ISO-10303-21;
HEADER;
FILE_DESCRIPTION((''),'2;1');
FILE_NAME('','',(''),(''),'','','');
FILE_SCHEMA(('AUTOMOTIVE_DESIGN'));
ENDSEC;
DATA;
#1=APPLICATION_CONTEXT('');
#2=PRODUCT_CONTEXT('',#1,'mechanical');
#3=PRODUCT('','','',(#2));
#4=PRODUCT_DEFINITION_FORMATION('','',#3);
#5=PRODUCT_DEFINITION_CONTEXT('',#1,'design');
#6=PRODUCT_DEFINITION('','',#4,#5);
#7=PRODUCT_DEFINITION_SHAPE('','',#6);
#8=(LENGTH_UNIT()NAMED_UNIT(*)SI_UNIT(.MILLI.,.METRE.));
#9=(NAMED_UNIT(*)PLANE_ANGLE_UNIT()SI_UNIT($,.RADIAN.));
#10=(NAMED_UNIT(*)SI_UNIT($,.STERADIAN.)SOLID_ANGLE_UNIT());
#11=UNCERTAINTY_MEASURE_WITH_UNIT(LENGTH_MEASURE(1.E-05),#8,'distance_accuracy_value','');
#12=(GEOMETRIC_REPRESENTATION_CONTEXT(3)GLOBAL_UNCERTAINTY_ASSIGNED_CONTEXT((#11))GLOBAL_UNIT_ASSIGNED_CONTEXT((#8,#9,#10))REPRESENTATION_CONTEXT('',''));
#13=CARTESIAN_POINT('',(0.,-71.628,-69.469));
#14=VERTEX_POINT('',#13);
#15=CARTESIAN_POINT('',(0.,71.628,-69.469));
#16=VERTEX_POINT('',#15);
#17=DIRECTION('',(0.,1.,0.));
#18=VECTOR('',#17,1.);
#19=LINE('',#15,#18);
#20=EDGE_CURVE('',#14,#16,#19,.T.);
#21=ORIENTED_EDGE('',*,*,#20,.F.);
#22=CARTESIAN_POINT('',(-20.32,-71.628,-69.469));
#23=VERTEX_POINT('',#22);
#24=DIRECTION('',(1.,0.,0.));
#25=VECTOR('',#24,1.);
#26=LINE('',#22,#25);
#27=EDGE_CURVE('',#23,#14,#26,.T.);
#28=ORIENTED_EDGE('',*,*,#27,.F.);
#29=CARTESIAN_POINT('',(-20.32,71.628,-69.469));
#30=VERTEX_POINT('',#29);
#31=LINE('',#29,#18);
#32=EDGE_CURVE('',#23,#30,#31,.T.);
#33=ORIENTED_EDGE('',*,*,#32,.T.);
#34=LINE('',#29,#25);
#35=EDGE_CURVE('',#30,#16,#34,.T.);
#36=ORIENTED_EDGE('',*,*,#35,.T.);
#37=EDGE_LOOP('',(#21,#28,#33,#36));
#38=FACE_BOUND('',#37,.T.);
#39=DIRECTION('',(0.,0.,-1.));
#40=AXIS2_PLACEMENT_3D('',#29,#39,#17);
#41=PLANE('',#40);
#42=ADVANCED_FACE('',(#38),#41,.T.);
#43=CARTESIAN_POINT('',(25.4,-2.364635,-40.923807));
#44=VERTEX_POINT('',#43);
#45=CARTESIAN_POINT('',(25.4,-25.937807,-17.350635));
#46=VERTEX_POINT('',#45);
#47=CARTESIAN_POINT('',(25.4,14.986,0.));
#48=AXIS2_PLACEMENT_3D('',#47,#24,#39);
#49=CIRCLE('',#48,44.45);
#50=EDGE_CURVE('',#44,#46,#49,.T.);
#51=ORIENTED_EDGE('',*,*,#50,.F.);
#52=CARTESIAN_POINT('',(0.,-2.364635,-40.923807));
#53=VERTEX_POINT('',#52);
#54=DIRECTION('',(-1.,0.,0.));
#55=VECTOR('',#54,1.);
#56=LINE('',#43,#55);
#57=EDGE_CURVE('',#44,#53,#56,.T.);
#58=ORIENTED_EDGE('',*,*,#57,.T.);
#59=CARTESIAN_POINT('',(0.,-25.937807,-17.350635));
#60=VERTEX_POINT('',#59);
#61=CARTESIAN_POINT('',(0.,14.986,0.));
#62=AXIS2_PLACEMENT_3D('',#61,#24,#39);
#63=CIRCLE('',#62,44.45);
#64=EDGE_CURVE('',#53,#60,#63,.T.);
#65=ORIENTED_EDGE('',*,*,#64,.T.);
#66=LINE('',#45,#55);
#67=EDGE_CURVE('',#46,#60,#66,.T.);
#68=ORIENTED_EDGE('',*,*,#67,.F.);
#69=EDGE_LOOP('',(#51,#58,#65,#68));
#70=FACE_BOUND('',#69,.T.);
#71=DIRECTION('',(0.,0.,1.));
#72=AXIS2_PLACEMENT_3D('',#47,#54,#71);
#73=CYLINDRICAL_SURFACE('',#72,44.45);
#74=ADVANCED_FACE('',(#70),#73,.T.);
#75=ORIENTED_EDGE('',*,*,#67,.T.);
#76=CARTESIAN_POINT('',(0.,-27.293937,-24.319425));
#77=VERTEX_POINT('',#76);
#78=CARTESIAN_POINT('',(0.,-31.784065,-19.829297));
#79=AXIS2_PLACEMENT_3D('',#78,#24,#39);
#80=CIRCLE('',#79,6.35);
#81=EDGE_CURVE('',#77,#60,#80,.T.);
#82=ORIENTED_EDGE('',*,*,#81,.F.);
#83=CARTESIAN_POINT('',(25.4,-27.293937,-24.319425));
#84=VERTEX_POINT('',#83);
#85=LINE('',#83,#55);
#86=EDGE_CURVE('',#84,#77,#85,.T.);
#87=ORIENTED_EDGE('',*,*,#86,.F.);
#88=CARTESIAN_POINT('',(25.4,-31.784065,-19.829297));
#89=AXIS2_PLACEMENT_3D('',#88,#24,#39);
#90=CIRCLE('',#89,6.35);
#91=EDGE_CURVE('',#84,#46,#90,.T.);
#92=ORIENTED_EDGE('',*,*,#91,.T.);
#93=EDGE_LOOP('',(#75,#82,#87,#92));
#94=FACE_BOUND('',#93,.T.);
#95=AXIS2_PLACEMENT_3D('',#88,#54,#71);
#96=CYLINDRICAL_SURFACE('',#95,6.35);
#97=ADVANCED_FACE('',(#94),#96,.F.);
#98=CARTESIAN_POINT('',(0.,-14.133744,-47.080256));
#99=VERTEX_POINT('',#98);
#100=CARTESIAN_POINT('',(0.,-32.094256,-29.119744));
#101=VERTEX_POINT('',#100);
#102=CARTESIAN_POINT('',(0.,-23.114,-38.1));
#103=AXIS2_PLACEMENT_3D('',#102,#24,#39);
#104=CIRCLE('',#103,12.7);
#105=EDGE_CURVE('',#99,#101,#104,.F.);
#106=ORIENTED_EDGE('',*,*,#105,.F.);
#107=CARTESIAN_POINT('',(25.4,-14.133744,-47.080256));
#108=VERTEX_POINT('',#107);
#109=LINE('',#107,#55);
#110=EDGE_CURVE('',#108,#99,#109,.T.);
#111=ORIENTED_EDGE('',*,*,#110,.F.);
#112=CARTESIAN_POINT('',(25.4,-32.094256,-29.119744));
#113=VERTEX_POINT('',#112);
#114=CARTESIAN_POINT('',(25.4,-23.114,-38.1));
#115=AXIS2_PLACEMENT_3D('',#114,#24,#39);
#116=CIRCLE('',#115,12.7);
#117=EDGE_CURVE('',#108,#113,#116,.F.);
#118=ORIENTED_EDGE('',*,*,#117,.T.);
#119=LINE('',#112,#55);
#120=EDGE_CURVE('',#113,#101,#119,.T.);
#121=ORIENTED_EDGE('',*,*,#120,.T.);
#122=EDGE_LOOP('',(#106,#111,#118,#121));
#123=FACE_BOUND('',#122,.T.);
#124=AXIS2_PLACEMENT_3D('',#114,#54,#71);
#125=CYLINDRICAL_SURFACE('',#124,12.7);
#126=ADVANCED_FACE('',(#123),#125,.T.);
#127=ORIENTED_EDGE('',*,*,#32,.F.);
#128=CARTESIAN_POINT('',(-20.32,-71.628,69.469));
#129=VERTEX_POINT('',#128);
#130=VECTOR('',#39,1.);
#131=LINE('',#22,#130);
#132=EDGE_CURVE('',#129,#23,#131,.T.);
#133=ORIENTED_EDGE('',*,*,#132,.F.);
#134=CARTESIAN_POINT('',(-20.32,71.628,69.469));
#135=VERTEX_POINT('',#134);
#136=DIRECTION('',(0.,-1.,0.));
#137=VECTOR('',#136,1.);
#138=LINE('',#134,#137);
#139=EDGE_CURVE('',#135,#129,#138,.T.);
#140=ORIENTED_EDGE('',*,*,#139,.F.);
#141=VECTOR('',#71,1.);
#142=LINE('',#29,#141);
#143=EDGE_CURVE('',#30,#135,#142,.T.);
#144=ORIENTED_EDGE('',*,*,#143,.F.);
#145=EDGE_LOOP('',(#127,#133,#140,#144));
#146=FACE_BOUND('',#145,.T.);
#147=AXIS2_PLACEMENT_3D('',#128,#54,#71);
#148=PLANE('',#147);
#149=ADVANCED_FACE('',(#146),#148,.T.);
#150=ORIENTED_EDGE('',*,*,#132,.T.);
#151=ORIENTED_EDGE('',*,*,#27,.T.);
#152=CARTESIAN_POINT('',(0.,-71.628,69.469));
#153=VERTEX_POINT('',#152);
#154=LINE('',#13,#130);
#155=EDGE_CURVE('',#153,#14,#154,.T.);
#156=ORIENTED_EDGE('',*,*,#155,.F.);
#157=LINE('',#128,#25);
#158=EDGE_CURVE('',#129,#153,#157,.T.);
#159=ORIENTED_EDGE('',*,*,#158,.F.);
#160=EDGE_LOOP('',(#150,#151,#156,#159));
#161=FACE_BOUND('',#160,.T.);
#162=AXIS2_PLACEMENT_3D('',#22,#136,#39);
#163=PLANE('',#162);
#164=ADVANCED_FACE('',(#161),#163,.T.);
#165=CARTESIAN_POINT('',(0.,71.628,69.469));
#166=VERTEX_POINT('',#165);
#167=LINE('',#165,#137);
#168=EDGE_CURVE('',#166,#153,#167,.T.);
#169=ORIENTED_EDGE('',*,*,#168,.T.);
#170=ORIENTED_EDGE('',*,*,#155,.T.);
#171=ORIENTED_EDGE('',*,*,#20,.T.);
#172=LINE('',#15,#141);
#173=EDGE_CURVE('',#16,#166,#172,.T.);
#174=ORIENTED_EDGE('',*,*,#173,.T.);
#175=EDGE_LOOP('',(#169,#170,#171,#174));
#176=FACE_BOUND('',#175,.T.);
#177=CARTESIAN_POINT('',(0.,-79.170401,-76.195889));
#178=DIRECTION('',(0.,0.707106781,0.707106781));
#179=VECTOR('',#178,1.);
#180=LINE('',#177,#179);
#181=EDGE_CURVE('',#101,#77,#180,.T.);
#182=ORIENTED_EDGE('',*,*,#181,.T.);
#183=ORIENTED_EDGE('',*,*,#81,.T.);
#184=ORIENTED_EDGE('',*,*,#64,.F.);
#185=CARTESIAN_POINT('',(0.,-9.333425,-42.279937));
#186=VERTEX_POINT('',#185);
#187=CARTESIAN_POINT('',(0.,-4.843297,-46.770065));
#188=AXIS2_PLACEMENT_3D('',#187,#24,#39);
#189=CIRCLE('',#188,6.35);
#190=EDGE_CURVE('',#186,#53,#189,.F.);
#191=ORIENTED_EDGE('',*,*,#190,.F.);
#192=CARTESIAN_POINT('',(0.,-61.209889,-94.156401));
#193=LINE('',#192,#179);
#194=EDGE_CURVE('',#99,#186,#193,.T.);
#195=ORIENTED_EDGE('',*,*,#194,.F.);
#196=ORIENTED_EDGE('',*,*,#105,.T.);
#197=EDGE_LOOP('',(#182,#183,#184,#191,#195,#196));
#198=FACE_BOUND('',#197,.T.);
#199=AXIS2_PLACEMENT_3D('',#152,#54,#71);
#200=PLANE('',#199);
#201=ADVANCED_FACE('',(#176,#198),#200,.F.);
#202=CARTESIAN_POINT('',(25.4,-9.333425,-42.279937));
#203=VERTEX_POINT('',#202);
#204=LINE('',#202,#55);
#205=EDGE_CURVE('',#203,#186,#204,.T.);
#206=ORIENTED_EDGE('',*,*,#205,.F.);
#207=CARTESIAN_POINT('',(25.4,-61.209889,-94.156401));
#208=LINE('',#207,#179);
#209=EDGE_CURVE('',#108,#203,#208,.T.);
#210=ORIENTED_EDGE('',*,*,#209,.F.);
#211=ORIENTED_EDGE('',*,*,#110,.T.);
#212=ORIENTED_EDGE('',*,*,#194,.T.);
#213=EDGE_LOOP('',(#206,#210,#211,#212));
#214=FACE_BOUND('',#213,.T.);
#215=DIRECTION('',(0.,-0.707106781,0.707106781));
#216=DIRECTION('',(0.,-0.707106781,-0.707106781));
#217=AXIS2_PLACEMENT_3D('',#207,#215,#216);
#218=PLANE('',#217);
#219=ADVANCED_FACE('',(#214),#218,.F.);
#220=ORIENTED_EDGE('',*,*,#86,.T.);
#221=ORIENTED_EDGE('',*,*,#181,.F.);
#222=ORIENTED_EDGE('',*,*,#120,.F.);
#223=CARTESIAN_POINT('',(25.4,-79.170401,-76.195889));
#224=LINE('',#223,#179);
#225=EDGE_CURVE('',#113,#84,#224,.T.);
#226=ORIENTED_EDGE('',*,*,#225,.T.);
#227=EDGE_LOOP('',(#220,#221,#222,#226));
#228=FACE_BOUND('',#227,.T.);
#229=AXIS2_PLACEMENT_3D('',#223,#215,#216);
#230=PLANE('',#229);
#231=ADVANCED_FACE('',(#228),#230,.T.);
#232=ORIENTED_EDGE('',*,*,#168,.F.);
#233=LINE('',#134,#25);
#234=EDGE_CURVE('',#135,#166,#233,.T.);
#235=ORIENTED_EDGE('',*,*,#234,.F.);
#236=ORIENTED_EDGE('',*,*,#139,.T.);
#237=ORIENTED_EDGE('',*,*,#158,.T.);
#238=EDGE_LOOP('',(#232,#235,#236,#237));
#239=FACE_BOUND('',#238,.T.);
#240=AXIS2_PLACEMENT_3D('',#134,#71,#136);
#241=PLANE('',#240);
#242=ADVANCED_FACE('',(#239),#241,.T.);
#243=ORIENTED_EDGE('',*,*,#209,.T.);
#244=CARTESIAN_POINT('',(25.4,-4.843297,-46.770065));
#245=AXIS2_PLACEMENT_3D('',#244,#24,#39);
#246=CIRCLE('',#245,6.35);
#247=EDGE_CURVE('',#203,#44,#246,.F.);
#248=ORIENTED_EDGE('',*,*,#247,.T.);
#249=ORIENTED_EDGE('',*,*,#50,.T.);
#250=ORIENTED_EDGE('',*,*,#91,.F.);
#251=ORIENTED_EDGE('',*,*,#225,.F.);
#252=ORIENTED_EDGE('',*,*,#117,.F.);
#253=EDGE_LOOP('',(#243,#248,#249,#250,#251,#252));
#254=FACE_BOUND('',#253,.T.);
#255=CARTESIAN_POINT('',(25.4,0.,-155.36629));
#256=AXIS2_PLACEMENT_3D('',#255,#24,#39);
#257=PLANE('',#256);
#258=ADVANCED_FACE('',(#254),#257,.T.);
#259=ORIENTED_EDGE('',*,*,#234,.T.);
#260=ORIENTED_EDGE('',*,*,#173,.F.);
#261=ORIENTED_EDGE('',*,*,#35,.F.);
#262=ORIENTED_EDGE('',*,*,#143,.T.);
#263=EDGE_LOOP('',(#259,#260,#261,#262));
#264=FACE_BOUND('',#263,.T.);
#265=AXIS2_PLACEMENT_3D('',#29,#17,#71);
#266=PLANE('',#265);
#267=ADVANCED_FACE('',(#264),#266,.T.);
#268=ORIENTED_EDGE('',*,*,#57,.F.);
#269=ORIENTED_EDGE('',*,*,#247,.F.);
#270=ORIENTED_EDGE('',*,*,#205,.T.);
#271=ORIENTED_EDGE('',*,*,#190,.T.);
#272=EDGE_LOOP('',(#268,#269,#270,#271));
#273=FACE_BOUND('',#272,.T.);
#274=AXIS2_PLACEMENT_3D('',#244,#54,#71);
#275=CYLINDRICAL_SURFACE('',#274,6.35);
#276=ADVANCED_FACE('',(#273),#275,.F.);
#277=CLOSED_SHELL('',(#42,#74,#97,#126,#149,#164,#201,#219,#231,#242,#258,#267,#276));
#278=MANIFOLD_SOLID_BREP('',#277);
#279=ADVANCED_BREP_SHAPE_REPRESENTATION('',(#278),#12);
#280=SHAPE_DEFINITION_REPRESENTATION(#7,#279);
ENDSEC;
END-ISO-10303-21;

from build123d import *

# Parameters (mm, degrees)
SKETCH1_W           = 138.938
SKETCH1_H           = 143.256
BOSS_EXTRUDE1_DEPTH = 20.32
BOSS_EXTRUDE2_DEPTH = 25.4


with BuildPart() as part:
    # Sketch1 → Boss-Extrude1 (new body)
    with BuildSketch(Plane(origin=(0, 0, 0), x_dir=(0, 0, -1), z_dir=(1, 0, 0))):
        Rectangle(SKETCH1_W, SKETCH1_H)
    extrude(amount=-BOSS_EXTRUDE1_DEPTH)

    # Sketch2 → Boss-Extrude2 (add)
    with BuildSketch(Plane(origin=(0, 0, 0), x_dir=(0, 0, -1), z_dir=(1, 0, 0))):
        with BuildLine():
            Line((47.080256121, -14.133743879), (42.27993705, -9.333424808))
            ThreePointArc((42.27993705, -9.333424808), (40.536989709, -6.056256364), (40.923806972, -2.364634654))
            ThreePointArc((40.923806972, -2.364634654), (-31.430896424, 46.416896424), (17.350634654, -25.937806972))
            ThreePointArc((17.350634654, -25.937806972), (21.042256364, -25.550989709), (24.319424808, -27.29393705))
            Line((24.319424808, -27.29393705), (29.119743879, -32.094256121))
            ThreePointArc((29.119743879, -32.094256121), (47.080256121, -32.094256121), (47.080256121, -14.133743879))
        make_face()
    extrude(amount=BOSS_EXTRUDE2_DEPTH)


solid = part.part
